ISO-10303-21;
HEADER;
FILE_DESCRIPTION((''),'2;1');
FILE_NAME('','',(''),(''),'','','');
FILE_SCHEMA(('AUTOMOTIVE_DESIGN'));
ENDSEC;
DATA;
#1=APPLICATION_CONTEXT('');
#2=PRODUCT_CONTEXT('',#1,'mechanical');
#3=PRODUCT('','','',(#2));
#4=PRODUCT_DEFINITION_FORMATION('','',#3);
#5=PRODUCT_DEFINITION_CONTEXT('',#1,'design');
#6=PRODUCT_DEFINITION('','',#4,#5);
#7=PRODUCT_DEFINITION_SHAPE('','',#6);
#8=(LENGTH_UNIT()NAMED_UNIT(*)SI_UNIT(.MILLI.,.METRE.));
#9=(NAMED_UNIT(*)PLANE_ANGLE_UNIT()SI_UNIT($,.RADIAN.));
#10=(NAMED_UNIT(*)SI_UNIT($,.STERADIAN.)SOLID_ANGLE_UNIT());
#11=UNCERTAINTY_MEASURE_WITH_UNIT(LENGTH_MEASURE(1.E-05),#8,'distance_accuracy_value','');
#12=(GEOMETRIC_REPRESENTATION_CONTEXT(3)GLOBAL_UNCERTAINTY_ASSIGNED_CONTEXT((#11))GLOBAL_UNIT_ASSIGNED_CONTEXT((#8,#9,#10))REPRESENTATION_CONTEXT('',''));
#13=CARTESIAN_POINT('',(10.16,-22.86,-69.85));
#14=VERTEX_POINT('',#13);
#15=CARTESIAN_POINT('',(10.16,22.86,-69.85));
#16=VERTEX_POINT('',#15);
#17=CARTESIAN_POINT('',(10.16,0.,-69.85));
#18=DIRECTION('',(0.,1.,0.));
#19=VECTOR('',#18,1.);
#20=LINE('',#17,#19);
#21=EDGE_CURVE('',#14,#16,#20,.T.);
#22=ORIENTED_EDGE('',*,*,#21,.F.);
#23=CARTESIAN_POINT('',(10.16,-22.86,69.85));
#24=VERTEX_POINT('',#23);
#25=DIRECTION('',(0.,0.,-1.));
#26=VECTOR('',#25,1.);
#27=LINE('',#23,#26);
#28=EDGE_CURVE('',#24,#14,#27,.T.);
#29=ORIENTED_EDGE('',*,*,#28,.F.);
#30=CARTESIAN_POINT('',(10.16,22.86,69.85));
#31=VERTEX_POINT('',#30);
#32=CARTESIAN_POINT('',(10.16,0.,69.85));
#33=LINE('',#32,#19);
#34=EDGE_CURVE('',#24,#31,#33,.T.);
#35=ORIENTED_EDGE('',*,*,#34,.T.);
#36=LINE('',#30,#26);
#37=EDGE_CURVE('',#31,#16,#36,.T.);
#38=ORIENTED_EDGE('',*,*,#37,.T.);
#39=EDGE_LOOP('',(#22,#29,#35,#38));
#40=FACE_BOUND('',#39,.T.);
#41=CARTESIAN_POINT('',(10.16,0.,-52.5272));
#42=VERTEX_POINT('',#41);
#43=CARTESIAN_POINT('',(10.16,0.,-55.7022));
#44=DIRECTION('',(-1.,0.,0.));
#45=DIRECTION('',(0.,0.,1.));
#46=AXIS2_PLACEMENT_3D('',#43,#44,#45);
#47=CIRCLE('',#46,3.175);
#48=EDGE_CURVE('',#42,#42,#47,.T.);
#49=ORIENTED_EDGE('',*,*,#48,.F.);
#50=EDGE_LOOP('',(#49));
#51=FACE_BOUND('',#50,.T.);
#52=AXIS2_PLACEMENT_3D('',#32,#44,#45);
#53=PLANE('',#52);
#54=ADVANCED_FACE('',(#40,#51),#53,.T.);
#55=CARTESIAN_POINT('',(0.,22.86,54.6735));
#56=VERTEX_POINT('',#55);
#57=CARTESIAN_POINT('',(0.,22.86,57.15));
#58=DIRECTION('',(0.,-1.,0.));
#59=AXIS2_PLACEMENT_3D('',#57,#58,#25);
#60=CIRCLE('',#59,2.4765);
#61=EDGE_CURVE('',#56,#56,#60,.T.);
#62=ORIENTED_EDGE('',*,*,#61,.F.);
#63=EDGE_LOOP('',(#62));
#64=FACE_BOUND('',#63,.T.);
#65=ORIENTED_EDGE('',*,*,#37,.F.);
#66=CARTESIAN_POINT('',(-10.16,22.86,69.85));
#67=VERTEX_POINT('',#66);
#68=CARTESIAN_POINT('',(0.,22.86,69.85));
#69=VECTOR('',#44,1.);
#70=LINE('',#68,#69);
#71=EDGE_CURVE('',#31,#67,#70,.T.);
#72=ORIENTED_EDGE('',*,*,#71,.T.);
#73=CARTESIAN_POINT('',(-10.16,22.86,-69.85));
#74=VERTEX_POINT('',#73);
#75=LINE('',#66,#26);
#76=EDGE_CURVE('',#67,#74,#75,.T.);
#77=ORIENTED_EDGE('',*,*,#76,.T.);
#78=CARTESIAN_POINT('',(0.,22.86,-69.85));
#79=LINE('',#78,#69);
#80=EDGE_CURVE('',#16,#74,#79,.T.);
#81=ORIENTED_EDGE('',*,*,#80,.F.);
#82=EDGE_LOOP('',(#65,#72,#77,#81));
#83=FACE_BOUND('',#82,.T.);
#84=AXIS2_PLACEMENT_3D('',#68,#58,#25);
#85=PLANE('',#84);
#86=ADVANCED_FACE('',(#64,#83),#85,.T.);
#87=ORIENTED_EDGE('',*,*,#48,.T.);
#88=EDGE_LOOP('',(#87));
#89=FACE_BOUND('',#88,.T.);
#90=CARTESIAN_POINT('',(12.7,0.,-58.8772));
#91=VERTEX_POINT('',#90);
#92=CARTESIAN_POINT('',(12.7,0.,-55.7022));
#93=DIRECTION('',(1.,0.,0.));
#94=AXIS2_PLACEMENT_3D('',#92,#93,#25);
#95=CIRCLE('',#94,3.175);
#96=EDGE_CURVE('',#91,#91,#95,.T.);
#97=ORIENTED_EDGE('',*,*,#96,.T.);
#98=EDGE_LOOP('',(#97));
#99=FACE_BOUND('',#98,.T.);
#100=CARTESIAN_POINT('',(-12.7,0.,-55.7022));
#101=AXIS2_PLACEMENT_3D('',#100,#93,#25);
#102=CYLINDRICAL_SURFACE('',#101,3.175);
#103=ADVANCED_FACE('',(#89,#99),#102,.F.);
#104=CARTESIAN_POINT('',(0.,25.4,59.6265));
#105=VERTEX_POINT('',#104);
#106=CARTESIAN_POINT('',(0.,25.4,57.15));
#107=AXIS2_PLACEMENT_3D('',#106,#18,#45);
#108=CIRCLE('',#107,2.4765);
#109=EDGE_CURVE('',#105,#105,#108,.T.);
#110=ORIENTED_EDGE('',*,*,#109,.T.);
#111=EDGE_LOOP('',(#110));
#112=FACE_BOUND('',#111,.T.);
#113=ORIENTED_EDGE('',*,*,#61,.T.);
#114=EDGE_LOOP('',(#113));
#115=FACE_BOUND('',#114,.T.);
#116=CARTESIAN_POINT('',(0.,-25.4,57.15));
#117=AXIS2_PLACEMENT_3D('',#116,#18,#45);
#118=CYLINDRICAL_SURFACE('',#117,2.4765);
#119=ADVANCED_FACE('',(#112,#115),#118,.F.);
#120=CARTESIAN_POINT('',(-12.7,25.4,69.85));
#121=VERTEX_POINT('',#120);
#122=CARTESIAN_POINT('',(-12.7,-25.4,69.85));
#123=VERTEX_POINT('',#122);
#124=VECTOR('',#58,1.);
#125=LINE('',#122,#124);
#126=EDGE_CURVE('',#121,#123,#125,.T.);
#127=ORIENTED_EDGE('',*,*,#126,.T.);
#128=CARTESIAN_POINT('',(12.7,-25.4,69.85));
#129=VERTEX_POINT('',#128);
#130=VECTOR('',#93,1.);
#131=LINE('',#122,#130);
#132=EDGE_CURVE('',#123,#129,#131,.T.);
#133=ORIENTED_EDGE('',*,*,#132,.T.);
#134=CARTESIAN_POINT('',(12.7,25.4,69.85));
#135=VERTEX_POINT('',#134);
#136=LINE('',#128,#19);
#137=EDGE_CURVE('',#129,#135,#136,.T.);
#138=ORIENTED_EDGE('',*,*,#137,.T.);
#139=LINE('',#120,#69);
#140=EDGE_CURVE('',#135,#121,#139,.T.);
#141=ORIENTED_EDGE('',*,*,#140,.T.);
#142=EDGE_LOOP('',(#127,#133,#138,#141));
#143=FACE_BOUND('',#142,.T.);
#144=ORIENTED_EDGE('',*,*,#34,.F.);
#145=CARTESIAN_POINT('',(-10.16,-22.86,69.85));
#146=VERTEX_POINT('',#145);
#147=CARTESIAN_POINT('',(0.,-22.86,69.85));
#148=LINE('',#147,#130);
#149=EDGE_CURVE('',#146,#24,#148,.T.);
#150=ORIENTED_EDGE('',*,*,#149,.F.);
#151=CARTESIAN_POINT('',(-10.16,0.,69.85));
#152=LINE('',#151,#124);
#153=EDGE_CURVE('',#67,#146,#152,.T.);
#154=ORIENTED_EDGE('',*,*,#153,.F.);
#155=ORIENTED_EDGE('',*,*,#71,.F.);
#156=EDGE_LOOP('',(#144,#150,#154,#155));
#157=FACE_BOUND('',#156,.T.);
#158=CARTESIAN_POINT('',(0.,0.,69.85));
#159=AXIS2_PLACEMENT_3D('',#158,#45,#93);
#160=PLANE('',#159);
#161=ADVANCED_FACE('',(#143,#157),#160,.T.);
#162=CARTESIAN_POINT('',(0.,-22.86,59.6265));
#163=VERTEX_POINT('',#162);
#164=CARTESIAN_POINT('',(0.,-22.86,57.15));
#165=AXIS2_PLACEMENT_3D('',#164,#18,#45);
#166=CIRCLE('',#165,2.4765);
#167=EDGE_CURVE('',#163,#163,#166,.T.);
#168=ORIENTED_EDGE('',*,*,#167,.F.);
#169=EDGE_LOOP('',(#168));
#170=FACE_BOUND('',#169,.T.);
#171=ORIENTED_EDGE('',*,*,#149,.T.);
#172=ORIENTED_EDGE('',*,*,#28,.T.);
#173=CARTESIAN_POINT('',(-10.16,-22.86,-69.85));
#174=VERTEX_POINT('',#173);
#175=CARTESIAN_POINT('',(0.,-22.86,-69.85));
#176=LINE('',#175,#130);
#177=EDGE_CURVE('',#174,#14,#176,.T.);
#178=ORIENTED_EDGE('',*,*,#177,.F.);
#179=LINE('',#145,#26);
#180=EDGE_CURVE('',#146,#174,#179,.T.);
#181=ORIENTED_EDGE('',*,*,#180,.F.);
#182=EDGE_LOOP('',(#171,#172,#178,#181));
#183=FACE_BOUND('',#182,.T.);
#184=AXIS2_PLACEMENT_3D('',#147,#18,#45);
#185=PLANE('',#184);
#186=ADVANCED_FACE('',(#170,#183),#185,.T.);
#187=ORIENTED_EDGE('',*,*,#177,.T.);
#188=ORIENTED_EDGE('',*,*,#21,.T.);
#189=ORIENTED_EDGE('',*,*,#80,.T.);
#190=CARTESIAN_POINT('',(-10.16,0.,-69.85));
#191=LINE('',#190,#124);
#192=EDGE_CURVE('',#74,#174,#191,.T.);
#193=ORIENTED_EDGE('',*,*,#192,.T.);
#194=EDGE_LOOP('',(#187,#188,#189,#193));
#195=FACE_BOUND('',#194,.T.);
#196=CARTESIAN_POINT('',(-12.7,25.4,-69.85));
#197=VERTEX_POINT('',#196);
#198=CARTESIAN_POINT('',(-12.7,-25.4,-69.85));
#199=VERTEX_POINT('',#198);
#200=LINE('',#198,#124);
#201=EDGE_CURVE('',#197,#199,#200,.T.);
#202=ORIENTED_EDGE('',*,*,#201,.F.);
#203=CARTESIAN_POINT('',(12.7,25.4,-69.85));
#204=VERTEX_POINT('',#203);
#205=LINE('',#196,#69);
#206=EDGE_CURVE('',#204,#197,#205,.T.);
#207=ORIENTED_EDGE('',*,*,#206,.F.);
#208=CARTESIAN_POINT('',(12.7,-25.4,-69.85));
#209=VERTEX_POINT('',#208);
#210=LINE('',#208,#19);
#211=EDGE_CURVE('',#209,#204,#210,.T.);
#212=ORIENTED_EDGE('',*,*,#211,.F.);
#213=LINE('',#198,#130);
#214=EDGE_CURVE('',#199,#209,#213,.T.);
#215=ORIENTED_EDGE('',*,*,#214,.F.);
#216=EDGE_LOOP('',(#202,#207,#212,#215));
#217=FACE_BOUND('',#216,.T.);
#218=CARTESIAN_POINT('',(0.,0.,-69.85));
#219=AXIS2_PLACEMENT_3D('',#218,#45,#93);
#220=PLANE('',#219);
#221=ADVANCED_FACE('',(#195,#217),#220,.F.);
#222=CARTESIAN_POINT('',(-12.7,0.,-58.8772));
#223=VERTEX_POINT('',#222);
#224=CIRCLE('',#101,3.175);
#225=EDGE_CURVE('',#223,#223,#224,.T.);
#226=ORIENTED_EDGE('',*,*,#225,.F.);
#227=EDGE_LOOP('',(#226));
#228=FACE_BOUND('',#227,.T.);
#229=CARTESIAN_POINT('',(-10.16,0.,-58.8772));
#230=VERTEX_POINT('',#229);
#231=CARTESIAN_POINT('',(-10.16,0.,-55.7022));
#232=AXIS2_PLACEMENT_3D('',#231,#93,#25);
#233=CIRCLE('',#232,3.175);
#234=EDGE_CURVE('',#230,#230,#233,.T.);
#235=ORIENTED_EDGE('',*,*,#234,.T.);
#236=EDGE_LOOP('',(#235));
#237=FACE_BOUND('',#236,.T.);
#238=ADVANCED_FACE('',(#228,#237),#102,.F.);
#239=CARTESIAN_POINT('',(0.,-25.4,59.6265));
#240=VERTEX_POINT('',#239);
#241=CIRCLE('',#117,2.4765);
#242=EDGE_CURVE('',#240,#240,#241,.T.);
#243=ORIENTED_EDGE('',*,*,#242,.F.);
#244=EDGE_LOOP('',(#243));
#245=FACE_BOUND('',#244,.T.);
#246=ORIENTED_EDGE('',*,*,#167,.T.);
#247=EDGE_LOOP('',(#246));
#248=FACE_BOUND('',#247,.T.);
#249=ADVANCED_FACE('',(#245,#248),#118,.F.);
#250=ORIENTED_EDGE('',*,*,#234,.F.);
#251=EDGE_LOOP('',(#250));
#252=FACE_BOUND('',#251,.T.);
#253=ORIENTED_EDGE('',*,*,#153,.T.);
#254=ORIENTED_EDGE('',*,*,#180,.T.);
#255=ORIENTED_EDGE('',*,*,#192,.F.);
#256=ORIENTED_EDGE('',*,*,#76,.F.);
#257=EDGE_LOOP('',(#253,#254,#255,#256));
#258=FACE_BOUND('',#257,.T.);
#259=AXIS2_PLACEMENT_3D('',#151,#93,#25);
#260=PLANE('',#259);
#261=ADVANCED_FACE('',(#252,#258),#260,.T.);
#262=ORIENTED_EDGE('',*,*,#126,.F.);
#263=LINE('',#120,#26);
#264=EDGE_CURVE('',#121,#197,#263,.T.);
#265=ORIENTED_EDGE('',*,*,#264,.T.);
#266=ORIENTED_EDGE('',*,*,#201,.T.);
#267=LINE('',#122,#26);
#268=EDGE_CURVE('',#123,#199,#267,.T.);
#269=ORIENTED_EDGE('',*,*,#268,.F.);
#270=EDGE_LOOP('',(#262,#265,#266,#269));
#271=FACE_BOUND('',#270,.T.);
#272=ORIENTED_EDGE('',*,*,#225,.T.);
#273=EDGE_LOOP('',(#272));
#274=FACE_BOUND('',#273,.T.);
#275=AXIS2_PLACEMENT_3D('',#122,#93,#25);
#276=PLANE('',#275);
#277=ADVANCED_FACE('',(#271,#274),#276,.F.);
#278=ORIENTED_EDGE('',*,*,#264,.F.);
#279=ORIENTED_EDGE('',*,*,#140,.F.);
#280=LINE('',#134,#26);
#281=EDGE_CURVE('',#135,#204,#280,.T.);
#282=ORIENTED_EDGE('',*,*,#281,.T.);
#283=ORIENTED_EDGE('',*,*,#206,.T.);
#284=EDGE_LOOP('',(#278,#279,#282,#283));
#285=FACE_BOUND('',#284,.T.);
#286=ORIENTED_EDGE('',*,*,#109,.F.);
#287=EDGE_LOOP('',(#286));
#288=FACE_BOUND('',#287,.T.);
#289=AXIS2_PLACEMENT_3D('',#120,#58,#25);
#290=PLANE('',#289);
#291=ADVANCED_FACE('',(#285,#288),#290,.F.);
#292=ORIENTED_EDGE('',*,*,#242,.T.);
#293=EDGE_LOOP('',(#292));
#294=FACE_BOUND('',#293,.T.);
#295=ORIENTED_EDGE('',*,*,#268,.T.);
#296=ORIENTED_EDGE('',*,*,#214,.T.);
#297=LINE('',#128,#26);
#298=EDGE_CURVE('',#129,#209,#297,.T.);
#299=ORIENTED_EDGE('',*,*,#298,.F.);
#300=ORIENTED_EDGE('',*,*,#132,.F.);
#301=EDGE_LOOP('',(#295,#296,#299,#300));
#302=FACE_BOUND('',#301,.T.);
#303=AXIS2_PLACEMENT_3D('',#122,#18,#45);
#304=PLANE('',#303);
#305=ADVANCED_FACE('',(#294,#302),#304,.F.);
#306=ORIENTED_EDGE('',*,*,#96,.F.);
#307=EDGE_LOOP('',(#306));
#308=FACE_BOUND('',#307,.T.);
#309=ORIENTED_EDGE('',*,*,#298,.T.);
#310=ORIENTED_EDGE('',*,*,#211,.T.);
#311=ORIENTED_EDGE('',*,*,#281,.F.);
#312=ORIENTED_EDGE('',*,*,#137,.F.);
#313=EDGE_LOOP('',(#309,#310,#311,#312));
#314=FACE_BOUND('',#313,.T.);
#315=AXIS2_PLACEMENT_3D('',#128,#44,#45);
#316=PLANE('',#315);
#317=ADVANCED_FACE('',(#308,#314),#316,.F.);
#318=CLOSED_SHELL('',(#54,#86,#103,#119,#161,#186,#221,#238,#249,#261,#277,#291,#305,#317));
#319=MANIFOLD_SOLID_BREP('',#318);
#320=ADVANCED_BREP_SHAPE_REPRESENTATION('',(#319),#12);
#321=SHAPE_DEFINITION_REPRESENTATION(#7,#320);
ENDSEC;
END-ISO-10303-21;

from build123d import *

# Parameters (mm, degrees)
SKETCH1_W           = 25.4
SKETCH1_H           = 50.8
SKETCH1_W_2         = 20.32
SKETCH1_H_2         = 45.72
EXTRUDE_THIN1_DEPTH = 69.85
SKETCH2_R           = 3.175
CUT_EXTRUDE1_DEPTH  = 26.4
SKETCH4_R           = 2.4765
CUT_EXTRUDE3_DEPTH  = 51.8


with BuildPart() as part:
    # Sketch1 → Extrude-Thin1 (new body, symmetric)
    with BuildSketch(Plane.XY):
        Rectangle(SKETCH1_W, SKETCH1_H)
        Rectangle(SKETCH1_W_2, SKETCH1_H_2, mode=Mode.SUBTRACT)
    extrude(amount=EXTRUDE_THIN1_DEPTH, both=True)

    # Sketch2 → Cut-Extrude1 (cut, through all)
    with BuildSketch(Plane(origin=(12.7, 0, 0), x_dir=(0, 0, -1), z_dir=(1, 0, 0))):
        with Locations((55.7022, 0)):
            Circle(SKETCH2_R)
    extrude(amount=-CUT_EXTRUDE1_DEPTH, mode=Mode.SUBTRACT)

    # Sketch4 → Cut-Extrude3 (cut, through all)
    with BuildSketch(Plane(origin=(0, 25.4, 0), x_dir=(1, 0, 0), z_dir=(0, 1, 0))):
        with Locations((0, -57.15)):
            Circle(SKETCH4_R)
    extrude(amount=-CUT_EXTRUDE3_DEPTH, mode=Mode.SUBTRACT)


solid = part.part
